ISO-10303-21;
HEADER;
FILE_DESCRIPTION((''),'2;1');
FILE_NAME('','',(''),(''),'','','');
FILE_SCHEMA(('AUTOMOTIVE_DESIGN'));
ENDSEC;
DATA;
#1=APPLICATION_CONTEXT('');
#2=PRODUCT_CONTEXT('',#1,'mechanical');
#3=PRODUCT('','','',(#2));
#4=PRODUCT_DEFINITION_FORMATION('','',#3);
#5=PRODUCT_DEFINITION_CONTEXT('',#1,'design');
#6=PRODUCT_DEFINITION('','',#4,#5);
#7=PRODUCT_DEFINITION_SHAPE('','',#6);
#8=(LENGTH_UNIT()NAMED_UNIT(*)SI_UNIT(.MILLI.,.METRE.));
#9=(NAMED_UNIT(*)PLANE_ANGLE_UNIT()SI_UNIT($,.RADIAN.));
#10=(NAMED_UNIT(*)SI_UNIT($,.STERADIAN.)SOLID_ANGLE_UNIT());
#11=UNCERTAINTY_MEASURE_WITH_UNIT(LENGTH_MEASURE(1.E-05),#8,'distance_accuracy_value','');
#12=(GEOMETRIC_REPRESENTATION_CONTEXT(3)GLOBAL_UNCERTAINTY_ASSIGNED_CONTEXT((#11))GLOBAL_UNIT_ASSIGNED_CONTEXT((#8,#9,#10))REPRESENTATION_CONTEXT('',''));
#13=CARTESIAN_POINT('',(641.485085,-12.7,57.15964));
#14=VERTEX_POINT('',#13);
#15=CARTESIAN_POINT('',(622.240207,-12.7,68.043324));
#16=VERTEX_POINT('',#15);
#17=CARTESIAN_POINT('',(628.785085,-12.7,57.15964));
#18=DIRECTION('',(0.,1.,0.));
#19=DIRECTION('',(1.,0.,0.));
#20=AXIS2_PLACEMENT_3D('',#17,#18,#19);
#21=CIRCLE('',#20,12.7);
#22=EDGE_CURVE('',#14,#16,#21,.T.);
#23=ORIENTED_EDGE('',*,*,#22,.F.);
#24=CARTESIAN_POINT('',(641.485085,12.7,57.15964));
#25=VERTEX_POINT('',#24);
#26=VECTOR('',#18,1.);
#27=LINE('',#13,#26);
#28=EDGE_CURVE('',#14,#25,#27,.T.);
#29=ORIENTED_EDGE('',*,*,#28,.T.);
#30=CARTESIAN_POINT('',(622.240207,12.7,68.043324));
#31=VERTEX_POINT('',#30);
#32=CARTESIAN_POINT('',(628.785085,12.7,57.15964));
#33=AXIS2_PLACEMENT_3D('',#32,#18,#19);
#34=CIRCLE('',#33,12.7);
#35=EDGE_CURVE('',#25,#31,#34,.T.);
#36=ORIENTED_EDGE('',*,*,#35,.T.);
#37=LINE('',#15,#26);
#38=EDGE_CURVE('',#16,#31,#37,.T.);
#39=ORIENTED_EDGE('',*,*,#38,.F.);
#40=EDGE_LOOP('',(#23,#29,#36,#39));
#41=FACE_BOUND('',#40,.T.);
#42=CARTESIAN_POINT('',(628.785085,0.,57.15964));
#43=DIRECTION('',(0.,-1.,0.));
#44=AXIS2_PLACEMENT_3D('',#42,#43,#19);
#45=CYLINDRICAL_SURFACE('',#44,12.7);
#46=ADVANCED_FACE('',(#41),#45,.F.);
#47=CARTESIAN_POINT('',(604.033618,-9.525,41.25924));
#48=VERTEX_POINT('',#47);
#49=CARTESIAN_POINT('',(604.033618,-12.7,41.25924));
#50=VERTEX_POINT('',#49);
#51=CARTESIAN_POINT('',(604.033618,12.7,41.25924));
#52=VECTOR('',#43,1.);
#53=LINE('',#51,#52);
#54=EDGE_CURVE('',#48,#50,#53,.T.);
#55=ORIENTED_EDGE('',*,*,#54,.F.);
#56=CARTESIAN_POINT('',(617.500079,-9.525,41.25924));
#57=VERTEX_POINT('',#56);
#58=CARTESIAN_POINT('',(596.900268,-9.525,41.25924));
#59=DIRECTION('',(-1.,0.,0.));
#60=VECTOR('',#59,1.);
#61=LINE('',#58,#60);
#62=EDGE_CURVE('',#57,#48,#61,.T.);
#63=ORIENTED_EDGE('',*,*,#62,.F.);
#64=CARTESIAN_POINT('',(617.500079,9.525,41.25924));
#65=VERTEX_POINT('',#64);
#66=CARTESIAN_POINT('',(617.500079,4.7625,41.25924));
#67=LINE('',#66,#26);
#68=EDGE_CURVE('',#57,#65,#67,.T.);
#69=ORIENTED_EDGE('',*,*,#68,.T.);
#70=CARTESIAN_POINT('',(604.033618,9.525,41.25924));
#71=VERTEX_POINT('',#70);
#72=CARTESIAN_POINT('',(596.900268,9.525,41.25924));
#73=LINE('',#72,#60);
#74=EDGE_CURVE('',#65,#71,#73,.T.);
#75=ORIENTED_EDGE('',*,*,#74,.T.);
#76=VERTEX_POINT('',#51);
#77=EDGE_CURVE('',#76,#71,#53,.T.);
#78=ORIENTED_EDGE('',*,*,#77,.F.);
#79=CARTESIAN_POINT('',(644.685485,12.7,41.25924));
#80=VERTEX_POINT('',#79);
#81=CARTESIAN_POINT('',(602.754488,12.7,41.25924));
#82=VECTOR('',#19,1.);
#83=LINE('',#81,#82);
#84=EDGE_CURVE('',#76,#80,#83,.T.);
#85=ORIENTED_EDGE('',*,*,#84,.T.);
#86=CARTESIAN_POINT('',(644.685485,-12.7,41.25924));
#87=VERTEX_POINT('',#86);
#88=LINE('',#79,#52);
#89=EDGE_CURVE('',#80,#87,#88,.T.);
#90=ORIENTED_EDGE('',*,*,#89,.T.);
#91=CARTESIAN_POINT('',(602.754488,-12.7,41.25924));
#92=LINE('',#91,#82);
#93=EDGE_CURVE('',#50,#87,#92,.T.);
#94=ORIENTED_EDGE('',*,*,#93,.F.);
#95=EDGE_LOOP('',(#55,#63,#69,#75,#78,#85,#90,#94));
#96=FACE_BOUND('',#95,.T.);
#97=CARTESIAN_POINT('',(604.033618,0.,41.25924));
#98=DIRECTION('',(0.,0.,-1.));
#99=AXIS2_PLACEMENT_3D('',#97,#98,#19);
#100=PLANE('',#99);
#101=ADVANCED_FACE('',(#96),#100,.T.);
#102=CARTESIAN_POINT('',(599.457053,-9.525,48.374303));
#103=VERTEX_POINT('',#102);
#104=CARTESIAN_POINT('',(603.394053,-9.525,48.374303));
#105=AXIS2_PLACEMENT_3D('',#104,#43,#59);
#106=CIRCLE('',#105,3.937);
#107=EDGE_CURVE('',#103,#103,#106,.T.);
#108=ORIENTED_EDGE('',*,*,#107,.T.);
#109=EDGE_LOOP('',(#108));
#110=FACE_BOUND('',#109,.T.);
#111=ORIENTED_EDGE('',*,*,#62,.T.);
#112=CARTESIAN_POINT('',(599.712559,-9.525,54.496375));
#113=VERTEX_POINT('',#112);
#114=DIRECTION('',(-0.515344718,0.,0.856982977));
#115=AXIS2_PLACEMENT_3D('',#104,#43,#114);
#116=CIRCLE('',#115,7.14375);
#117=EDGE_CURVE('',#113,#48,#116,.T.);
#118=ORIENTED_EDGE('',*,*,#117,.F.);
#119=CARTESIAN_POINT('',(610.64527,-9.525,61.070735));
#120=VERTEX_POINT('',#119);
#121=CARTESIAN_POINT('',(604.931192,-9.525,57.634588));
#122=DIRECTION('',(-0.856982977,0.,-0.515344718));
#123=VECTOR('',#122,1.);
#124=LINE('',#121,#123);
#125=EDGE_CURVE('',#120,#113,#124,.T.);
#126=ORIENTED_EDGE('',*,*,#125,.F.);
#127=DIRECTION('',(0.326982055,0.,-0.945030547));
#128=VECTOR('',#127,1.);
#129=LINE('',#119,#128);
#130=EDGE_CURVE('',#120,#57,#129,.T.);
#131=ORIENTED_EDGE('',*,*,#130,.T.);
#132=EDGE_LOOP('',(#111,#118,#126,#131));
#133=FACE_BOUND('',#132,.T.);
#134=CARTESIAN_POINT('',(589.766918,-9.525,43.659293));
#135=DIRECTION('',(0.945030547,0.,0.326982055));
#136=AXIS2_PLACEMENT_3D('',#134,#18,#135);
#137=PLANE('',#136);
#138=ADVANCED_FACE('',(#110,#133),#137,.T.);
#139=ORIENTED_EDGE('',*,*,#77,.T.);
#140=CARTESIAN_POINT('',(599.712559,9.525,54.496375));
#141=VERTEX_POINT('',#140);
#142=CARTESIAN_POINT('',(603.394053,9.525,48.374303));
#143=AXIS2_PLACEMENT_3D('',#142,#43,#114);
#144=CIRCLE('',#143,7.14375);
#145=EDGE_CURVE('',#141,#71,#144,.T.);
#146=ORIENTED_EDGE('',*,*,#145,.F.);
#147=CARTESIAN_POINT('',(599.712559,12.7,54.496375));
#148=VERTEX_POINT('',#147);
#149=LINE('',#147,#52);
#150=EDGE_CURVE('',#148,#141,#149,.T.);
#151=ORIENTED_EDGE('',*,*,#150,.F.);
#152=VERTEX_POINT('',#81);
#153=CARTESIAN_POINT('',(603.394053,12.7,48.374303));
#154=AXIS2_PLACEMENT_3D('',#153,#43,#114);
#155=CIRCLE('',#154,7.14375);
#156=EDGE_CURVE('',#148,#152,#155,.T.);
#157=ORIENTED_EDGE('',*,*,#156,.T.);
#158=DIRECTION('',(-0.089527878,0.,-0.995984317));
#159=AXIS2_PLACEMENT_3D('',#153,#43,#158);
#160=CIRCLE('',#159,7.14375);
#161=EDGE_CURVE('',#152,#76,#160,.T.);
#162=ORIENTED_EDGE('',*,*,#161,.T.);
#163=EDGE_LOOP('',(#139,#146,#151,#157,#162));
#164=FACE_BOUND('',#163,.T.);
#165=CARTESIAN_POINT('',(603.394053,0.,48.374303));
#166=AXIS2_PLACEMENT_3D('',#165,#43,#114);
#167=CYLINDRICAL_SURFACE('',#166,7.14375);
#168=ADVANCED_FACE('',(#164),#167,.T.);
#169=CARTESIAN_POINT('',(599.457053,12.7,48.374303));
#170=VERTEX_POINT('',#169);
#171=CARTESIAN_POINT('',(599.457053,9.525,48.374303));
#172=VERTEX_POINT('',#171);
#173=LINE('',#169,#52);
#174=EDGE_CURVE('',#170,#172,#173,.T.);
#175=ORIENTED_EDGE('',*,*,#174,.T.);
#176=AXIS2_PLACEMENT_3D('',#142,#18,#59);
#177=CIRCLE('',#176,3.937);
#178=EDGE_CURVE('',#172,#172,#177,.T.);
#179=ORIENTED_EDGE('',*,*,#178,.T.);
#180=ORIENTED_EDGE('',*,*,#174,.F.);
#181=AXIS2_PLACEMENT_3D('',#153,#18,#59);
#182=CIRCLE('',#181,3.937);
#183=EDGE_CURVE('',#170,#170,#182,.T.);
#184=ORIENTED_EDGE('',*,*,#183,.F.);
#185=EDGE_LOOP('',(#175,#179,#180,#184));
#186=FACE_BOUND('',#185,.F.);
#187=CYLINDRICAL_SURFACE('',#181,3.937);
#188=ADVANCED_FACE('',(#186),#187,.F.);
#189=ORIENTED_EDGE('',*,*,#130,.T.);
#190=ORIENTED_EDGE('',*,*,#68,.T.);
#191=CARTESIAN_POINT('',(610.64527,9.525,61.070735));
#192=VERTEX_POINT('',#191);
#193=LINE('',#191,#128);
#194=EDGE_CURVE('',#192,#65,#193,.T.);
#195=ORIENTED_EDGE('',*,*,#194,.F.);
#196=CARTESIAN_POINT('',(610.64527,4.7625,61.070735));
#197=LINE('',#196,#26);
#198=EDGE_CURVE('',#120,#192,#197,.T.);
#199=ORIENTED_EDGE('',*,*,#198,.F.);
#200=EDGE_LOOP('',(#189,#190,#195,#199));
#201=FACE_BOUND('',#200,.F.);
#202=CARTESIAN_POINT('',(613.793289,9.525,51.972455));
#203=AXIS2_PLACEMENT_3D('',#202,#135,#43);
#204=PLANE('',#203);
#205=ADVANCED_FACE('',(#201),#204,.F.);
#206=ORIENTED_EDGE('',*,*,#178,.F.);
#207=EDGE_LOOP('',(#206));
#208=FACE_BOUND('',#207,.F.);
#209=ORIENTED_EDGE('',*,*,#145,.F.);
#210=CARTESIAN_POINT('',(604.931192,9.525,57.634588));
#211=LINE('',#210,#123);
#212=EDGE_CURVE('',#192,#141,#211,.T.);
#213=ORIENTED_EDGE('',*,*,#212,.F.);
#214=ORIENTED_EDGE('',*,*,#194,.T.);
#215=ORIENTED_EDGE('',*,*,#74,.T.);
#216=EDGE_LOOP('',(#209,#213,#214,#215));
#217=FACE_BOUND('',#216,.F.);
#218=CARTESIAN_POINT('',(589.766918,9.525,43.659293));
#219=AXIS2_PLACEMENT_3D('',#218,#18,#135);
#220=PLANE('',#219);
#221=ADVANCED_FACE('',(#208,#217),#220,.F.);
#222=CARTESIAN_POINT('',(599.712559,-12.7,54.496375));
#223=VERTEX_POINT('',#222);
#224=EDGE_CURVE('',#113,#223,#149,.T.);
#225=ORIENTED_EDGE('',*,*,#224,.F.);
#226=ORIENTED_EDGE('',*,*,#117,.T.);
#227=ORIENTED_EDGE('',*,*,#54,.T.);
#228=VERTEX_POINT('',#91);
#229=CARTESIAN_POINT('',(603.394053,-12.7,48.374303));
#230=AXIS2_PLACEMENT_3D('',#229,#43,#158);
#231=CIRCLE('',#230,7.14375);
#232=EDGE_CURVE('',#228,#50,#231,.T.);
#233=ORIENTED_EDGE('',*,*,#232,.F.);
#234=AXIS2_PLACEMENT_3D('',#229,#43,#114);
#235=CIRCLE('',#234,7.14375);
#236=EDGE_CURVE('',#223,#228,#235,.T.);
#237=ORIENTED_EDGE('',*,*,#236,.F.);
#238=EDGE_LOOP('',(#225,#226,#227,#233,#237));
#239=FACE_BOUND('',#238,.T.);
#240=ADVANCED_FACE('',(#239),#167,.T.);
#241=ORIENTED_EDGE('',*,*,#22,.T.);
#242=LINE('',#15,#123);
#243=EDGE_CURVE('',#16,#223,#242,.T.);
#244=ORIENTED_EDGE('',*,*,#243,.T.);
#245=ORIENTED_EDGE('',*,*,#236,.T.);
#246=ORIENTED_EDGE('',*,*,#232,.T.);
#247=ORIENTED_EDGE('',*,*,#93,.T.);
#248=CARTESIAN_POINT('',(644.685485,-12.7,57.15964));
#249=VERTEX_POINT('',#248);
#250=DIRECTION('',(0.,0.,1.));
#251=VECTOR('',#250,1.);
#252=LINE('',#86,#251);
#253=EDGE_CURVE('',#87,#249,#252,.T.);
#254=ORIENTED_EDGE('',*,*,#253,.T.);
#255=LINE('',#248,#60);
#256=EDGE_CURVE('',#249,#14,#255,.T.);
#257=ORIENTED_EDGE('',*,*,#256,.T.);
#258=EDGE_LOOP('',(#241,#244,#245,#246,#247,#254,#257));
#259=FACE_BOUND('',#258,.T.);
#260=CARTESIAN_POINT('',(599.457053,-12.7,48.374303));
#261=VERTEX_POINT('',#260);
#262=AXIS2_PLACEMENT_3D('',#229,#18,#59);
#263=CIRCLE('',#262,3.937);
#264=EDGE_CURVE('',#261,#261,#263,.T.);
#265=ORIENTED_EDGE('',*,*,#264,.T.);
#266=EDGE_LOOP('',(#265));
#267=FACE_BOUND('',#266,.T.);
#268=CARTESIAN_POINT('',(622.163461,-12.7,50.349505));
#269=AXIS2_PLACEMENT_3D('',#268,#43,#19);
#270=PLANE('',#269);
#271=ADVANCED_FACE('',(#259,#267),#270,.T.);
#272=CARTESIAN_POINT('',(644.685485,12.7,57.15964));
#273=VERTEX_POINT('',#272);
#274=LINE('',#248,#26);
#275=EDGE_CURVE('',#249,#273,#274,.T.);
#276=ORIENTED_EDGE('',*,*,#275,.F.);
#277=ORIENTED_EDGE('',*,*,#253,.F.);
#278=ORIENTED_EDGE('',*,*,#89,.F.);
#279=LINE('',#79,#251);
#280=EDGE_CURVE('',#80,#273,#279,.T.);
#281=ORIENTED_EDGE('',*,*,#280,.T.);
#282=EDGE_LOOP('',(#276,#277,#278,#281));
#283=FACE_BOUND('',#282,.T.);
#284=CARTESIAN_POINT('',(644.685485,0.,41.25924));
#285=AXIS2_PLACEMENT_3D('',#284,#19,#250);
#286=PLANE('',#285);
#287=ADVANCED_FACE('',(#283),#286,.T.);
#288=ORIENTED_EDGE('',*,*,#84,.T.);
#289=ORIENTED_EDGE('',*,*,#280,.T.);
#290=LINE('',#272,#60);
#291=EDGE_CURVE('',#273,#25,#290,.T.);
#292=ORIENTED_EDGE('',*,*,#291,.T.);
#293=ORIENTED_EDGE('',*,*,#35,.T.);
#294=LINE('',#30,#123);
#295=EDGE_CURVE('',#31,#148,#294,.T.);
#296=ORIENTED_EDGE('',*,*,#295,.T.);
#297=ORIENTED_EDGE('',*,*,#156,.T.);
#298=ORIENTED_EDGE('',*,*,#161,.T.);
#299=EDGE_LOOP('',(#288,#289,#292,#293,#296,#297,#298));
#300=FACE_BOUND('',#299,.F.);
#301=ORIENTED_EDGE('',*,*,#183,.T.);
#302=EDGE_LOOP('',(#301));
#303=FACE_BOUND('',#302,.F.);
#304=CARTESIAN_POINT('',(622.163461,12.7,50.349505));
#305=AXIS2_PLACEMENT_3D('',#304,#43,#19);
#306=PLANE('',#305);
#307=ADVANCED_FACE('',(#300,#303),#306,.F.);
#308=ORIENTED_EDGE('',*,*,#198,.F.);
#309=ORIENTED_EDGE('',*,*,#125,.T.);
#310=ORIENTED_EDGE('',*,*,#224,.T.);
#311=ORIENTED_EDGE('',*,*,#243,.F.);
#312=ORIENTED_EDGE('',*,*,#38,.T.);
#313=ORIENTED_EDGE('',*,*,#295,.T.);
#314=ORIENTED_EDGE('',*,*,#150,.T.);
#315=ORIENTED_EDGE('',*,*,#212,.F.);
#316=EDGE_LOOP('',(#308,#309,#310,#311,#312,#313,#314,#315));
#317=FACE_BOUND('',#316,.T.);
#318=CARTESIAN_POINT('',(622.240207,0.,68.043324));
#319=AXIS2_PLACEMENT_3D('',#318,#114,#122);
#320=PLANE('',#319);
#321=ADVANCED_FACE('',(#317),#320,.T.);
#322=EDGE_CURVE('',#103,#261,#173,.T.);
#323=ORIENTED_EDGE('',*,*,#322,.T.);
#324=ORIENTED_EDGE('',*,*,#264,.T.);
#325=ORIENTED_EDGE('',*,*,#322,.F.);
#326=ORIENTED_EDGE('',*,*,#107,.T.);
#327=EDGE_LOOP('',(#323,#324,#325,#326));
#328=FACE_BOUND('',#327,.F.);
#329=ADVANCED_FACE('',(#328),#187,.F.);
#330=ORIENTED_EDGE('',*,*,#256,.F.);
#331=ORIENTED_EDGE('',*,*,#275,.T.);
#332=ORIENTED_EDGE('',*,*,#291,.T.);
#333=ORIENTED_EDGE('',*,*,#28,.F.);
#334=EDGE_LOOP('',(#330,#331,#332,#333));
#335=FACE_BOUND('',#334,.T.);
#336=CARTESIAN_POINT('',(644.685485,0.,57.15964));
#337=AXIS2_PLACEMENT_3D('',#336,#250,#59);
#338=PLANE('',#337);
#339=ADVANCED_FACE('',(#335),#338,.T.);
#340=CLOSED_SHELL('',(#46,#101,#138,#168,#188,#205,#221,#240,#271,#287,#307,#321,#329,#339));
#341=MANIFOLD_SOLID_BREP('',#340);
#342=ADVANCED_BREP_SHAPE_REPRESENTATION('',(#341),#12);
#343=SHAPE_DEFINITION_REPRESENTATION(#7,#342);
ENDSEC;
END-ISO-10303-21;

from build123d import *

# Parameters (mm, degrees)
F1_DEPTH      = 12.7
F1_DEPTH_BACK = 12.7
F2_R          = 3.937
F3_DEPTH      = 25.401
F5_W          = 25.4239097328
F5_H          = 19.05
F6_DEPTH      = 20.9247035883
F6_DEPTH_BACK = 20.2536193136


with BuildPart() as f1:
    # F0 (on Front) → F1 (new body, two sides)
    with BuildSketch(Plane.XZ) as f1_sk:
        with BuildLine():
            Line((622.2402070197, 68.0433236969), (599.7125589726, 54.4963749958))
            ThreePointArc((599.7125589726, 54.4963749958), (596.4317742001, 46.7743526151), (602.7544880205, 41.259239895))
            Line((602.7544880205, 41.259239895), (604.0336175771, 41.259239895))
            Line((604.0336175771, 41.259239895), (628.785084933, 41.259239895))
            Line((628.785084933, 41.259239895), (644.685484933, 41.259239895))
            Line((644.685484933, 41.259239895), (644.685484933, 57.159639895))
            Line((644.685484933, 57.159639895), (641.485084933, 57.159639895))
            ThreePointArc((641.485084933, 57.159639895), (622.5332831727, 46.1050040009), (622.2402070197, 68.0433236969))
        make_face()
        with BuildLine():
            Line((604.0336175771, 41.259239895), (602.7544880205, 41.259239895))
            ThreePointArc((602.7544880205, 41.259239895), (603.3940527988, 41.2305528572), (604.0336175771, 41.259239895))
        make_face()
    extrude(amount=F1_DEPTH)
    extrude(f1_sk.sketch, amount=-F1_DEPTH_BACK)

    # F2 (on face) → F3 (cut, through all)
    with BuildSketch(Plane(origin=(0, 12.7, 0), x_dir=(-1, 0, 0), z_dir=(0, 1, 0))):
        with Locations((-603.3940527988, 48.3743028572)):
            Circle(F2_R)
    extrude(amount=-F3_DEPTH, mode=Mode.SUBTRACT)

    # F5 (on face) → F6 (cut, two sides)
    with BuildSketch(Plane(origin=(49.5651934259, 0, -143.2513532049), x_dir=(0.9450305474, 0, 0.3269820552), z_dir=(0.3269820552, 0, -0.9450305474))) as f6_sk:
        with Locations((584.3355135098, 0)):
            Rectangle(F5_W, F5_H)
    extrude(amount=-F6_DEPTH, mode=Mode.SUBTRACT)
    extrude(f6_sk.sketch, amount=F6_DEPTH_BACK, mode=Mode.SUBTRACT)


solid = f1.part
